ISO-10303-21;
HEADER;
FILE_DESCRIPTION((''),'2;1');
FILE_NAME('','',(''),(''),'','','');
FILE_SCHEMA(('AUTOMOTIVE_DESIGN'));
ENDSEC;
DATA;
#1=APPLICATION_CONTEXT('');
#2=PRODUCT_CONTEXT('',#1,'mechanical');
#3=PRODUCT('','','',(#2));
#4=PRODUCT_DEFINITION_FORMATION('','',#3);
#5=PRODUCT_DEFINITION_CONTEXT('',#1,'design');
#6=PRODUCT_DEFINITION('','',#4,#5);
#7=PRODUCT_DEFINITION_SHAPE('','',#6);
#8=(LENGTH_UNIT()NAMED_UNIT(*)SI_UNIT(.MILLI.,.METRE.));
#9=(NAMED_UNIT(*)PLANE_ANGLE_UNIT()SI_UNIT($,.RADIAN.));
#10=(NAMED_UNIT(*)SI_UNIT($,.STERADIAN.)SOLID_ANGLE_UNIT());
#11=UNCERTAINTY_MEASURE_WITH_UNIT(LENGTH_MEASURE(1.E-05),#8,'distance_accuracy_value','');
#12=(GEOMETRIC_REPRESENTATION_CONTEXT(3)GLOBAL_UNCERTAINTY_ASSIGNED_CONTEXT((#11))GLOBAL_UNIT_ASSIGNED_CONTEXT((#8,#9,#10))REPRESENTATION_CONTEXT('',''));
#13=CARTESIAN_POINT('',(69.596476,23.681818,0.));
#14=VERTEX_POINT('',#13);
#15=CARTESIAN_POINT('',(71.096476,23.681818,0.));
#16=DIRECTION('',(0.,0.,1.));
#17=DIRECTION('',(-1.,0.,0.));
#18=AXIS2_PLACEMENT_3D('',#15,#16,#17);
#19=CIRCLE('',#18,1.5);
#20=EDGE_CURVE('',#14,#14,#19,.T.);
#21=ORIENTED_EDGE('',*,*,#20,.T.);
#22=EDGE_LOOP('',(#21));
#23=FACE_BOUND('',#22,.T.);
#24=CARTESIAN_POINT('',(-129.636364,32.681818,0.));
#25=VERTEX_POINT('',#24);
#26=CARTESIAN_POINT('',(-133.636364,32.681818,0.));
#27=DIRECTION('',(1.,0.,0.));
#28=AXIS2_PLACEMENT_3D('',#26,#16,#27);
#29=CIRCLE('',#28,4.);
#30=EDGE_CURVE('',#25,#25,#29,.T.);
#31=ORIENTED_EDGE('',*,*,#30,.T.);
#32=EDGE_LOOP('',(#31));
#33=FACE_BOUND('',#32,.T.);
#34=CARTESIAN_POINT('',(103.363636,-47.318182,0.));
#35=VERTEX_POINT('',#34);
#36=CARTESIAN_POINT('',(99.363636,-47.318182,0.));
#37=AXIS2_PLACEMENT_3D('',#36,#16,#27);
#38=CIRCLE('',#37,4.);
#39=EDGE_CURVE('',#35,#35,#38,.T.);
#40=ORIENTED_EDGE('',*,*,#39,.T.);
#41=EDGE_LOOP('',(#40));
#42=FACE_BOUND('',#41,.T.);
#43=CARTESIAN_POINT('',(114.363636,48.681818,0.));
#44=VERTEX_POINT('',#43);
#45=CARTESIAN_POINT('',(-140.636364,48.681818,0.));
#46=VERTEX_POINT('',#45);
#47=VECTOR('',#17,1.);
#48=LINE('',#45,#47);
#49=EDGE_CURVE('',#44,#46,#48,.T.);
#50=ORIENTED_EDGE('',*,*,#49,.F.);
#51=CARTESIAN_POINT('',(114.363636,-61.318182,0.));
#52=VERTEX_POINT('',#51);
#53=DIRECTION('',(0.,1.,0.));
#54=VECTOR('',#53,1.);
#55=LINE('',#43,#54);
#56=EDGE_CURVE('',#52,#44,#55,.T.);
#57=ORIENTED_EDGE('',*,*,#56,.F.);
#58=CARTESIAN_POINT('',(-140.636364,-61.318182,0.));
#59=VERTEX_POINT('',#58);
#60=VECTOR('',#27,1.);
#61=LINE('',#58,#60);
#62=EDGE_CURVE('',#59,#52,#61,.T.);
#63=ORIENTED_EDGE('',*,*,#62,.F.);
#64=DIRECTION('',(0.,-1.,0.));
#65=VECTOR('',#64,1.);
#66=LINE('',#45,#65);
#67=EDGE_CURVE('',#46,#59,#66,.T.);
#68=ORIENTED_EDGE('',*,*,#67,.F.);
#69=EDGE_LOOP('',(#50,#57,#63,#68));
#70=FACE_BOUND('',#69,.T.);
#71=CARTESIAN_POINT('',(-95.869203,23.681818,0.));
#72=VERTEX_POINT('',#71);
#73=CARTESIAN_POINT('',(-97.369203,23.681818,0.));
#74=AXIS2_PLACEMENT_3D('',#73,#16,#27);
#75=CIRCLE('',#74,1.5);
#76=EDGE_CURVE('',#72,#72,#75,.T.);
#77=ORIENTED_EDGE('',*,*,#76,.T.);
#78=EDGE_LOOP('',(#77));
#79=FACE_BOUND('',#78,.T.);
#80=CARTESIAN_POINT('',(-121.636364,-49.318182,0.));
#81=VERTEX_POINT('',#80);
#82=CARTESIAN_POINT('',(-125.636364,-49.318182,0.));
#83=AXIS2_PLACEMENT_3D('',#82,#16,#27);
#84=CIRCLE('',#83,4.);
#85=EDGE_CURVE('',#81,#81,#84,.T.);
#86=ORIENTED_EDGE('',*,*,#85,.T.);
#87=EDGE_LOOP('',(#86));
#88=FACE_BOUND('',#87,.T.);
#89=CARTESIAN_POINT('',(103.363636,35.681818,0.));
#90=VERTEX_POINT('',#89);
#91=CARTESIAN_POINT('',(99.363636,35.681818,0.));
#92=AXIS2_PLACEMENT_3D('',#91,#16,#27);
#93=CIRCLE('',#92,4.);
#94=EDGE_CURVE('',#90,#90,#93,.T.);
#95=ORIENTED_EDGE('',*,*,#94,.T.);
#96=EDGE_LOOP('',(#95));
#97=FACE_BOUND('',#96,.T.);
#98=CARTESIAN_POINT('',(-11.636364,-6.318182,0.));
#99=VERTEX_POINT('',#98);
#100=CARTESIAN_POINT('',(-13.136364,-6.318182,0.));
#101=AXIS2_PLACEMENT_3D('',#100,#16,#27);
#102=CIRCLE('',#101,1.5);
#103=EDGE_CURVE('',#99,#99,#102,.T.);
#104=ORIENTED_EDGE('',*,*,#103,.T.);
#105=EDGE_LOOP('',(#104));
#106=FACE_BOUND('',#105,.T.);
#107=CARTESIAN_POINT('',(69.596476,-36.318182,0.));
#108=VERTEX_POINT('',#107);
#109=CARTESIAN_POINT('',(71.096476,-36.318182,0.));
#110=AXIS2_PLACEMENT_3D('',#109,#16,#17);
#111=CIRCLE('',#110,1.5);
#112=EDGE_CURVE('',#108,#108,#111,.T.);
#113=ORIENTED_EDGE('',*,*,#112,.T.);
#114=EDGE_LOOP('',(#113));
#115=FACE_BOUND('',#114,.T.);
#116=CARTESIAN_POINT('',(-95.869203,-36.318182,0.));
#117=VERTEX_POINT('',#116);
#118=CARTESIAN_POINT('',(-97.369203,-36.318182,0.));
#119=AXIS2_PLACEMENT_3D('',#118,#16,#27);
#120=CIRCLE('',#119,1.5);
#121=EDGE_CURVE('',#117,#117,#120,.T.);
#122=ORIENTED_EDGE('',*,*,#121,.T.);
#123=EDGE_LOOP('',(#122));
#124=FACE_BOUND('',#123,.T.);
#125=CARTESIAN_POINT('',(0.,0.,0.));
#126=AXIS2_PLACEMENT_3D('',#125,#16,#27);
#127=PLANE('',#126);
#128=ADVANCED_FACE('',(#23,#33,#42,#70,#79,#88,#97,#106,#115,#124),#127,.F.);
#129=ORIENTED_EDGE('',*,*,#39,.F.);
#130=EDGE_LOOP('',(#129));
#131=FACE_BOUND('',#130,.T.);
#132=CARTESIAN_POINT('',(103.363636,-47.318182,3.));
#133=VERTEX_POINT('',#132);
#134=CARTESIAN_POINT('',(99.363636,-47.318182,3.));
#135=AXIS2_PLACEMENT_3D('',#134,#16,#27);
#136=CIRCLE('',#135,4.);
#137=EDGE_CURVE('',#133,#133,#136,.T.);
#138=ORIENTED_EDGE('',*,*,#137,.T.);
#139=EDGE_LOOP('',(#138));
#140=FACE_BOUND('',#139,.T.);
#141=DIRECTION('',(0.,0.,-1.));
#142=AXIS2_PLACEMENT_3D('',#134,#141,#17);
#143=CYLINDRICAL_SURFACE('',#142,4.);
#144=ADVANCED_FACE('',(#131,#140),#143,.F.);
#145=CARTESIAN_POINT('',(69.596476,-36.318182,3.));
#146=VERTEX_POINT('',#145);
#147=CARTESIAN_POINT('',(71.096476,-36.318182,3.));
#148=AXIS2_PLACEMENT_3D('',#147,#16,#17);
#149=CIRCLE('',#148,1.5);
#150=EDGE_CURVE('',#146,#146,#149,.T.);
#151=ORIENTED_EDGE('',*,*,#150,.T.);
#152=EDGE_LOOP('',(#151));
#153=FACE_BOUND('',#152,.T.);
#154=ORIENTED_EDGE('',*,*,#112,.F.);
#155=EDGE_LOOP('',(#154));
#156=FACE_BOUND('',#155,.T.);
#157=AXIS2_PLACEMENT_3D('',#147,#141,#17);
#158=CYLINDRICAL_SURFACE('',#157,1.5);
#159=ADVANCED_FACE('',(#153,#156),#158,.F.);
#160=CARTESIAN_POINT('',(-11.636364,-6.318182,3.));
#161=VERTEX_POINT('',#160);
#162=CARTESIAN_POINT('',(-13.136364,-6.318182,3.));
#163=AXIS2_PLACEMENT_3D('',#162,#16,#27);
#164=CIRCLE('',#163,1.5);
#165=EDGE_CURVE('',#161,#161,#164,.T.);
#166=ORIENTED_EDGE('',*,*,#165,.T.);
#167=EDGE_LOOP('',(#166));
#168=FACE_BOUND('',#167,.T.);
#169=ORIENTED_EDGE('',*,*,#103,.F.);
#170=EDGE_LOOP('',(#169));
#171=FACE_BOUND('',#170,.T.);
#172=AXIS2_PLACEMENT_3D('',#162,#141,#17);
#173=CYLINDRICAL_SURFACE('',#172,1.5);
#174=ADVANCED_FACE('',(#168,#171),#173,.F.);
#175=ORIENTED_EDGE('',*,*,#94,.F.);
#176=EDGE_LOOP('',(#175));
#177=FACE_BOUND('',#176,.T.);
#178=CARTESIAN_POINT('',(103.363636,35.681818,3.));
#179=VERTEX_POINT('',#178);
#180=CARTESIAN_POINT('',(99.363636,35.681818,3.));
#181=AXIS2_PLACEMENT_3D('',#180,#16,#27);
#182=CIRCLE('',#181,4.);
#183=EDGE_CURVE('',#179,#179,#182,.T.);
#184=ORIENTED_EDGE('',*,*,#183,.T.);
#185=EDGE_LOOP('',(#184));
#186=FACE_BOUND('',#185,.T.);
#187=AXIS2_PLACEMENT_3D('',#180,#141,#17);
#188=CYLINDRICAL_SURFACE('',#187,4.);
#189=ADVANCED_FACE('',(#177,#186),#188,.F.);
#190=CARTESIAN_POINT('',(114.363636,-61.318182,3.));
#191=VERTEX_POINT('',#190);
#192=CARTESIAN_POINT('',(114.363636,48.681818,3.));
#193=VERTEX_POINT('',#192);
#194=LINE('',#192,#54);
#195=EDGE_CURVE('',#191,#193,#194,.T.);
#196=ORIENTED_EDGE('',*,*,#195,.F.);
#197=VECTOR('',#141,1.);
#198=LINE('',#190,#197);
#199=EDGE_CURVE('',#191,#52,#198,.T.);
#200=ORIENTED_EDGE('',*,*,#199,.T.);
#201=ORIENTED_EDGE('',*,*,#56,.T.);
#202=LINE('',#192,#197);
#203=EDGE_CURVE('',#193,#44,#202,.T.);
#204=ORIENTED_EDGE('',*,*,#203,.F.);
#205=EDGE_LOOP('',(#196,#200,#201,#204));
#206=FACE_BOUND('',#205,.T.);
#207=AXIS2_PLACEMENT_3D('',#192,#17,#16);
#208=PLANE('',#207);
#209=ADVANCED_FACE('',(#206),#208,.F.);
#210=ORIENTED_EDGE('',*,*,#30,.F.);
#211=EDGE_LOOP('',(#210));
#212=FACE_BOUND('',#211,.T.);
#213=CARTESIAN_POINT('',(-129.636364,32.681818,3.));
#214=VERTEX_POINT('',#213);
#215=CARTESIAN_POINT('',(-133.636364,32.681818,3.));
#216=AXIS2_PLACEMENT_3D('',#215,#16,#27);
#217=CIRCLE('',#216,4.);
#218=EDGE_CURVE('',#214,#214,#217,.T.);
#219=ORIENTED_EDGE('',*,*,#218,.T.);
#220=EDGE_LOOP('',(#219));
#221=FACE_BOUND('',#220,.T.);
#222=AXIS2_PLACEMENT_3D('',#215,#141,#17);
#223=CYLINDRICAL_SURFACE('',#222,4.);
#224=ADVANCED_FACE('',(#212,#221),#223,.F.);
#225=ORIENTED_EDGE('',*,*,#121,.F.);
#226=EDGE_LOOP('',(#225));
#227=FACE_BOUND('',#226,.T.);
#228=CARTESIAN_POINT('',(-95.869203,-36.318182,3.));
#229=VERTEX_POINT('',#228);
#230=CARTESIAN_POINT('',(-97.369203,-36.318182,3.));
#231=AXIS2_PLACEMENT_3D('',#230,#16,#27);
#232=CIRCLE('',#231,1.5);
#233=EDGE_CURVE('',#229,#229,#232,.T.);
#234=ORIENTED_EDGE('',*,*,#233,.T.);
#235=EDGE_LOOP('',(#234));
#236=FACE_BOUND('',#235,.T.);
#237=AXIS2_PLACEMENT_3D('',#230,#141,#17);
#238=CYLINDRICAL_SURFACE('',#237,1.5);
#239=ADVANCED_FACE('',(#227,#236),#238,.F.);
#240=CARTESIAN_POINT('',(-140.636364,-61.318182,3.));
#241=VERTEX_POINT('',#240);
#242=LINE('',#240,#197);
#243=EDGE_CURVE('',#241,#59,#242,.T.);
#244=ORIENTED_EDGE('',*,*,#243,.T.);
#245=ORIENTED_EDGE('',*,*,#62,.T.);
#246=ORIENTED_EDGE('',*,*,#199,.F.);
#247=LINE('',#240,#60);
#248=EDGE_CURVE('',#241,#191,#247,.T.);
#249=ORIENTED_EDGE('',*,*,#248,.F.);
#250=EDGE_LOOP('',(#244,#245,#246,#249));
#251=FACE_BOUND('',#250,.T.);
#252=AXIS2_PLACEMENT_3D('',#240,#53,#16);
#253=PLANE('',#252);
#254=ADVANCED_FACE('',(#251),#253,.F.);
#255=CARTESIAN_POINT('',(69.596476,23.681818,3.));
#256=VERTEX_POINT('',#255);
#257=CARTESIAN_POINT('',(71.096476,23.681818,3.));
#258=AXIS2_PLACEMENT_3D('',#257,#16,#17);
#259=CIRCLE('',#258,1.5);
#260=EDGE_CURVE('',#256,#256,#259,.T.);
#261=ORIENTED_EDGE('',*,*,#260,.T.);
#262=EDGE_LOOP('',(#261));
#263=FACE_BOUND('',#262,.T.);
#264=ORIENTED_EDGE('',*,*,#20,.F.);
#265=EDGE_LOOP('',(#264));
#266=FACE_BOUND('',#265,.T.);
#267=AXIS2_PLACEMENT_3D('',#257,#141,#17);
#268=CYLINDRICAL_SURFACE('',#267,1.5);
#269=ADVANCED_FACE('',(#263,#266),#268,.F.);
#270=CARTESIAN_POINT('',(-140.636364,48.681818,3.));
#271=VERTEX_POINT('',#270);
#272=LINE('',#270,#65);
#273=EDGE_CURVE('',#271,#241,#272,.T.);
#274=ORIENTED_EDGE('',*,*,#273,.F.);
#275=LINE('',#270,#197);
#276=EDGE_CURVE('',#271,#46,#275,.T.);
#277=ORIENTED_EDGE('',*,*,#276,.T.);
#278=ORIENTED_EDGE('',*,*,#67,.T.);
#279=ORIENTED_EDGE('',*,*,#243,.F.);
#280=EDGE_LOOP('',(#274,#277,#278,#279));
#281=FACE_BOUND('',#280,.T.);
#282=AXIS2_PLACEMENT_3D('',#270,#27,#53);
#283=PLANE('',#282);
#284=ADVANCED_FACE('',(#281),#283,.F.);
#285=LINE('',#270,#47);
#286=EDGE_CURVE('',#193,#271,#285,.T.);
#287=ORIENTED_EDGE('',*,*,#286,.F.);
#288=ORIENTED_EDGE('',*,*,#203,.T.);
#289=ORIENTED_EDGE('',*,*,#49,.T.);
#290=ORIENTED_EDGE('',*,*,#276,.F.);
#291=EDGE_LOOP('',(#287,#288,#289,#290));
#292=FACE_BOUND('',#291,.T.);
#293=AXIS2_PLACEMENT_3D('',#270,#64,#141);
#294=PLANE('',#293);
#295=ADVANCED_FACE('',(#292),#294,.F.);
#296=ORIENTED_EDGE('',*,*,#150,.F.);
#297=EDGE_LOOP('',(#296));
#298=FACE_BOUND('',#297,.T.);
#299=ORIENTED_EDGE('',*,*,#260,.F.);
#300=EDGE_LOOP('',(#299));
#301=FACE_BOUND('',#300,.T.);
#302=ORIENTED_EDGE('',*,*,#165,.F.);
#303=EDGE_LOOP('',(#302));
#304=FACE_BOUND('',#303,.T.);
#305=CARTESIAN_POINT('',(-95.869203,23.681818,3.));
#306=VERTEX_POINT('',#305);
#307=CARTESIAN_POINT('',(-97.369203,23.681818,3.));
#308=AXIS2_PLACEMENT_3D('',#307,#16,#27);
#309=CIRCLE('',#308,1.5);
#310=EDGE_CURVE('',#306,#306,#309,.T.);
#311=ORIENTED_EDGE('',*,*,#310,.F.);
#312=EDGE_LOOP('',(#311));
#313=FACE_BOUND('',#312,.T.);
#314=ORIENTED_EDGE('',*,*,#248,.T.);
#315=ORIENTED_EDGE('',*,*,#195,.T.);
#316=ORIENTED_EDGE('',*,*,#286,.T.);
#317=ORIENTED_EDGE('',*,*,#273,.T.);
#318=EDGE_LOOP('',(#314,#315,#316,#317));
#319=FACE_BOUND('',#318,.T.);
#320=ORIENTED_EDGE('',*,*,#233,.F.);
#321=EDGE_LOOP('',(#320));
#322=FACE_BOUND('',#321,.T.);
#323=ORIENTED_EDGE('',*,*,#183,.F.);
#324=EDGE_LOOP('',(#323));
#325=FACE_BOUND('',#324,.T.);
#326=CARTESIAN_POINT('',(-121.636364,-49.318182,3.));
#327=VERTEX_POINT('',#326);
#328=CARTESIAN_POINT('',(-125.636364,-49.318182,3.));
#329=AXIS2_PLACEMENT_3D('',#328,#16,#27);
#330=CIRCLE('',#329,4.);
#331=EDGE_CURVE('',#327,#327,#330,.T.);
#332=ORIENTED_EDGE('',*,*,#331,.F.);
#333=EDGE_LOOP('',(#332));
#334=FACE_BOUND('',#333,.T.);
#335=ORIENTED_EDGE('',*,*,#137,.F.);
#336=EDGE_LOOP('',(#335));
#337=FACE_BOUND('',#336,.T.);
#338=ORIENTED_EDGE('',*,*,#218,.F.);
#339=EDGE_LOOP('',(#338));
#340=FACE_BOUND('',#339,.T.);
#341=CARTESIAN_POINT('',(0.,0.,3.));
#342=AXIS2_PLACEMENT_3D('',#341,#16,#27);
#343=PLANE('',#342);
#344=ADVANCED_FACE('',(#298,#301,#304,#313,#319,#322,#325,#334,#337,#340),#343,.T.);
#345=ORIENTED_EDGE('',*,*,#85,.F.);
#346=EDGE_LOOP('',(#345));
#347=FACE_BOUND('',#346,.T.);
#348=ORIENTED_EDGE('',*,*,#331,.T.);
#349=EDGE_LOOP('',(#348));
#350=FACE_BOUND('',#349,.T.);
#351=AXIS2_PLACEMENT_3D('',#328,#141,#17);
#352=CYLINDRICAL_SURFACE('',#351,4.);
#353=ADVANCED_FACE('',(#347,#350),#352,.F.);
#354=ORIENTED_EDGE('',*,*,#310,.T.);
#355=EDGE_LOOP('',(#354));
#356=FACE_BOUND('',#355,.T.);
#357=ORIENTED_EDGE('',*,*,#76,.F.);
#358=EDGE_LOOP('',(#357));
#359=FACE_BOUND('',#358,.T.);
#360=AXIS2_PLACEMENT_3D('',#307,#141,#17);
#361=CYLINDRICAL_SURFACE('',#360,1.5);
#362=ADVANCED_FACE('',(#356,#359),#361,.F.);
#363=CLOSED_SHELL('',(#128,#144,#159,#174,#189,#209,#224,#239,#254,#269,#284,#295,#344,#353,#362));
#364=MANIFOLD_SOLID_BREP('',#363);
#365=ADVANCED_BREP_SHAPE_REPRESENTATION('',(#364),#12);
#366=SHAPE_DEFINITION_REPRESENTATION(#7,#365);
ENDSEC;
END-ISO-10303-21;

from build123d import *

# Parameters (mm, degrees)
SKETCH1_W           = 255
SKETCH1_H           = 110
SKETCH1_R           = 4
SKETCH1_R_2         = 1.5
BOSS_EXTRUDE1_DEPTH = 3


with BuildPart() as part:
    # Sketch1 → Boss-Extrude1 (new body)
    with BuildSketch(Plane.XY):
        with Locations((-13.136363636, -6.318181818)):
            Rectangle(SKETCH1_W, SKETCH1_H)
        with Locations((-125.636363636, -49.318181818)):
            Circle(SKETCH1_R, mode=Mode.SUBTRACT)
        with Locations((-133.636363636, 32.681818182)):
            Circle(SKETCH1_R, mode=Mode.SUBTRACT)
        with Locations((99.363636364, -47.318181818)):
            Circle(SKETCH1_R, mode=Mode.SUBTRACT)
        with Locations((99.363636364, 35.681818182)):
            Circle(SKETCH1_R, mode=Mode.SUBTRACT)
        with Locations((-97.369202936, 23.681818182)):
            Circle(SKETCH1_R_2, mode=Mode.SUBTRACT)
        with Locations((-97.369202936, -36.318181818)):
            Circle(SKETCH1_R_2, mode=Mode.SUBTRACT)
        with Locations(Location((71.096475664, -36.318181818, 0), (0, 0, 180))):
            Circle(SKETCH1_R_2, mode=Mode.SUBTRACT)
        with Locations(Location((71.096475664, 23.681818182, 0), (0, 0, 180))):
            Circle(SKETCH1_R_2, mode=Mode.SUBTRACT)
        with Locations((-13.136363636, -6.318181818)):
            Circle(SKETCH1_R_2, mode=Mode.SUBTRACT)
    extrude(amount=BOSS_EXTRUDE1_DEPTH)


solid = part.part
